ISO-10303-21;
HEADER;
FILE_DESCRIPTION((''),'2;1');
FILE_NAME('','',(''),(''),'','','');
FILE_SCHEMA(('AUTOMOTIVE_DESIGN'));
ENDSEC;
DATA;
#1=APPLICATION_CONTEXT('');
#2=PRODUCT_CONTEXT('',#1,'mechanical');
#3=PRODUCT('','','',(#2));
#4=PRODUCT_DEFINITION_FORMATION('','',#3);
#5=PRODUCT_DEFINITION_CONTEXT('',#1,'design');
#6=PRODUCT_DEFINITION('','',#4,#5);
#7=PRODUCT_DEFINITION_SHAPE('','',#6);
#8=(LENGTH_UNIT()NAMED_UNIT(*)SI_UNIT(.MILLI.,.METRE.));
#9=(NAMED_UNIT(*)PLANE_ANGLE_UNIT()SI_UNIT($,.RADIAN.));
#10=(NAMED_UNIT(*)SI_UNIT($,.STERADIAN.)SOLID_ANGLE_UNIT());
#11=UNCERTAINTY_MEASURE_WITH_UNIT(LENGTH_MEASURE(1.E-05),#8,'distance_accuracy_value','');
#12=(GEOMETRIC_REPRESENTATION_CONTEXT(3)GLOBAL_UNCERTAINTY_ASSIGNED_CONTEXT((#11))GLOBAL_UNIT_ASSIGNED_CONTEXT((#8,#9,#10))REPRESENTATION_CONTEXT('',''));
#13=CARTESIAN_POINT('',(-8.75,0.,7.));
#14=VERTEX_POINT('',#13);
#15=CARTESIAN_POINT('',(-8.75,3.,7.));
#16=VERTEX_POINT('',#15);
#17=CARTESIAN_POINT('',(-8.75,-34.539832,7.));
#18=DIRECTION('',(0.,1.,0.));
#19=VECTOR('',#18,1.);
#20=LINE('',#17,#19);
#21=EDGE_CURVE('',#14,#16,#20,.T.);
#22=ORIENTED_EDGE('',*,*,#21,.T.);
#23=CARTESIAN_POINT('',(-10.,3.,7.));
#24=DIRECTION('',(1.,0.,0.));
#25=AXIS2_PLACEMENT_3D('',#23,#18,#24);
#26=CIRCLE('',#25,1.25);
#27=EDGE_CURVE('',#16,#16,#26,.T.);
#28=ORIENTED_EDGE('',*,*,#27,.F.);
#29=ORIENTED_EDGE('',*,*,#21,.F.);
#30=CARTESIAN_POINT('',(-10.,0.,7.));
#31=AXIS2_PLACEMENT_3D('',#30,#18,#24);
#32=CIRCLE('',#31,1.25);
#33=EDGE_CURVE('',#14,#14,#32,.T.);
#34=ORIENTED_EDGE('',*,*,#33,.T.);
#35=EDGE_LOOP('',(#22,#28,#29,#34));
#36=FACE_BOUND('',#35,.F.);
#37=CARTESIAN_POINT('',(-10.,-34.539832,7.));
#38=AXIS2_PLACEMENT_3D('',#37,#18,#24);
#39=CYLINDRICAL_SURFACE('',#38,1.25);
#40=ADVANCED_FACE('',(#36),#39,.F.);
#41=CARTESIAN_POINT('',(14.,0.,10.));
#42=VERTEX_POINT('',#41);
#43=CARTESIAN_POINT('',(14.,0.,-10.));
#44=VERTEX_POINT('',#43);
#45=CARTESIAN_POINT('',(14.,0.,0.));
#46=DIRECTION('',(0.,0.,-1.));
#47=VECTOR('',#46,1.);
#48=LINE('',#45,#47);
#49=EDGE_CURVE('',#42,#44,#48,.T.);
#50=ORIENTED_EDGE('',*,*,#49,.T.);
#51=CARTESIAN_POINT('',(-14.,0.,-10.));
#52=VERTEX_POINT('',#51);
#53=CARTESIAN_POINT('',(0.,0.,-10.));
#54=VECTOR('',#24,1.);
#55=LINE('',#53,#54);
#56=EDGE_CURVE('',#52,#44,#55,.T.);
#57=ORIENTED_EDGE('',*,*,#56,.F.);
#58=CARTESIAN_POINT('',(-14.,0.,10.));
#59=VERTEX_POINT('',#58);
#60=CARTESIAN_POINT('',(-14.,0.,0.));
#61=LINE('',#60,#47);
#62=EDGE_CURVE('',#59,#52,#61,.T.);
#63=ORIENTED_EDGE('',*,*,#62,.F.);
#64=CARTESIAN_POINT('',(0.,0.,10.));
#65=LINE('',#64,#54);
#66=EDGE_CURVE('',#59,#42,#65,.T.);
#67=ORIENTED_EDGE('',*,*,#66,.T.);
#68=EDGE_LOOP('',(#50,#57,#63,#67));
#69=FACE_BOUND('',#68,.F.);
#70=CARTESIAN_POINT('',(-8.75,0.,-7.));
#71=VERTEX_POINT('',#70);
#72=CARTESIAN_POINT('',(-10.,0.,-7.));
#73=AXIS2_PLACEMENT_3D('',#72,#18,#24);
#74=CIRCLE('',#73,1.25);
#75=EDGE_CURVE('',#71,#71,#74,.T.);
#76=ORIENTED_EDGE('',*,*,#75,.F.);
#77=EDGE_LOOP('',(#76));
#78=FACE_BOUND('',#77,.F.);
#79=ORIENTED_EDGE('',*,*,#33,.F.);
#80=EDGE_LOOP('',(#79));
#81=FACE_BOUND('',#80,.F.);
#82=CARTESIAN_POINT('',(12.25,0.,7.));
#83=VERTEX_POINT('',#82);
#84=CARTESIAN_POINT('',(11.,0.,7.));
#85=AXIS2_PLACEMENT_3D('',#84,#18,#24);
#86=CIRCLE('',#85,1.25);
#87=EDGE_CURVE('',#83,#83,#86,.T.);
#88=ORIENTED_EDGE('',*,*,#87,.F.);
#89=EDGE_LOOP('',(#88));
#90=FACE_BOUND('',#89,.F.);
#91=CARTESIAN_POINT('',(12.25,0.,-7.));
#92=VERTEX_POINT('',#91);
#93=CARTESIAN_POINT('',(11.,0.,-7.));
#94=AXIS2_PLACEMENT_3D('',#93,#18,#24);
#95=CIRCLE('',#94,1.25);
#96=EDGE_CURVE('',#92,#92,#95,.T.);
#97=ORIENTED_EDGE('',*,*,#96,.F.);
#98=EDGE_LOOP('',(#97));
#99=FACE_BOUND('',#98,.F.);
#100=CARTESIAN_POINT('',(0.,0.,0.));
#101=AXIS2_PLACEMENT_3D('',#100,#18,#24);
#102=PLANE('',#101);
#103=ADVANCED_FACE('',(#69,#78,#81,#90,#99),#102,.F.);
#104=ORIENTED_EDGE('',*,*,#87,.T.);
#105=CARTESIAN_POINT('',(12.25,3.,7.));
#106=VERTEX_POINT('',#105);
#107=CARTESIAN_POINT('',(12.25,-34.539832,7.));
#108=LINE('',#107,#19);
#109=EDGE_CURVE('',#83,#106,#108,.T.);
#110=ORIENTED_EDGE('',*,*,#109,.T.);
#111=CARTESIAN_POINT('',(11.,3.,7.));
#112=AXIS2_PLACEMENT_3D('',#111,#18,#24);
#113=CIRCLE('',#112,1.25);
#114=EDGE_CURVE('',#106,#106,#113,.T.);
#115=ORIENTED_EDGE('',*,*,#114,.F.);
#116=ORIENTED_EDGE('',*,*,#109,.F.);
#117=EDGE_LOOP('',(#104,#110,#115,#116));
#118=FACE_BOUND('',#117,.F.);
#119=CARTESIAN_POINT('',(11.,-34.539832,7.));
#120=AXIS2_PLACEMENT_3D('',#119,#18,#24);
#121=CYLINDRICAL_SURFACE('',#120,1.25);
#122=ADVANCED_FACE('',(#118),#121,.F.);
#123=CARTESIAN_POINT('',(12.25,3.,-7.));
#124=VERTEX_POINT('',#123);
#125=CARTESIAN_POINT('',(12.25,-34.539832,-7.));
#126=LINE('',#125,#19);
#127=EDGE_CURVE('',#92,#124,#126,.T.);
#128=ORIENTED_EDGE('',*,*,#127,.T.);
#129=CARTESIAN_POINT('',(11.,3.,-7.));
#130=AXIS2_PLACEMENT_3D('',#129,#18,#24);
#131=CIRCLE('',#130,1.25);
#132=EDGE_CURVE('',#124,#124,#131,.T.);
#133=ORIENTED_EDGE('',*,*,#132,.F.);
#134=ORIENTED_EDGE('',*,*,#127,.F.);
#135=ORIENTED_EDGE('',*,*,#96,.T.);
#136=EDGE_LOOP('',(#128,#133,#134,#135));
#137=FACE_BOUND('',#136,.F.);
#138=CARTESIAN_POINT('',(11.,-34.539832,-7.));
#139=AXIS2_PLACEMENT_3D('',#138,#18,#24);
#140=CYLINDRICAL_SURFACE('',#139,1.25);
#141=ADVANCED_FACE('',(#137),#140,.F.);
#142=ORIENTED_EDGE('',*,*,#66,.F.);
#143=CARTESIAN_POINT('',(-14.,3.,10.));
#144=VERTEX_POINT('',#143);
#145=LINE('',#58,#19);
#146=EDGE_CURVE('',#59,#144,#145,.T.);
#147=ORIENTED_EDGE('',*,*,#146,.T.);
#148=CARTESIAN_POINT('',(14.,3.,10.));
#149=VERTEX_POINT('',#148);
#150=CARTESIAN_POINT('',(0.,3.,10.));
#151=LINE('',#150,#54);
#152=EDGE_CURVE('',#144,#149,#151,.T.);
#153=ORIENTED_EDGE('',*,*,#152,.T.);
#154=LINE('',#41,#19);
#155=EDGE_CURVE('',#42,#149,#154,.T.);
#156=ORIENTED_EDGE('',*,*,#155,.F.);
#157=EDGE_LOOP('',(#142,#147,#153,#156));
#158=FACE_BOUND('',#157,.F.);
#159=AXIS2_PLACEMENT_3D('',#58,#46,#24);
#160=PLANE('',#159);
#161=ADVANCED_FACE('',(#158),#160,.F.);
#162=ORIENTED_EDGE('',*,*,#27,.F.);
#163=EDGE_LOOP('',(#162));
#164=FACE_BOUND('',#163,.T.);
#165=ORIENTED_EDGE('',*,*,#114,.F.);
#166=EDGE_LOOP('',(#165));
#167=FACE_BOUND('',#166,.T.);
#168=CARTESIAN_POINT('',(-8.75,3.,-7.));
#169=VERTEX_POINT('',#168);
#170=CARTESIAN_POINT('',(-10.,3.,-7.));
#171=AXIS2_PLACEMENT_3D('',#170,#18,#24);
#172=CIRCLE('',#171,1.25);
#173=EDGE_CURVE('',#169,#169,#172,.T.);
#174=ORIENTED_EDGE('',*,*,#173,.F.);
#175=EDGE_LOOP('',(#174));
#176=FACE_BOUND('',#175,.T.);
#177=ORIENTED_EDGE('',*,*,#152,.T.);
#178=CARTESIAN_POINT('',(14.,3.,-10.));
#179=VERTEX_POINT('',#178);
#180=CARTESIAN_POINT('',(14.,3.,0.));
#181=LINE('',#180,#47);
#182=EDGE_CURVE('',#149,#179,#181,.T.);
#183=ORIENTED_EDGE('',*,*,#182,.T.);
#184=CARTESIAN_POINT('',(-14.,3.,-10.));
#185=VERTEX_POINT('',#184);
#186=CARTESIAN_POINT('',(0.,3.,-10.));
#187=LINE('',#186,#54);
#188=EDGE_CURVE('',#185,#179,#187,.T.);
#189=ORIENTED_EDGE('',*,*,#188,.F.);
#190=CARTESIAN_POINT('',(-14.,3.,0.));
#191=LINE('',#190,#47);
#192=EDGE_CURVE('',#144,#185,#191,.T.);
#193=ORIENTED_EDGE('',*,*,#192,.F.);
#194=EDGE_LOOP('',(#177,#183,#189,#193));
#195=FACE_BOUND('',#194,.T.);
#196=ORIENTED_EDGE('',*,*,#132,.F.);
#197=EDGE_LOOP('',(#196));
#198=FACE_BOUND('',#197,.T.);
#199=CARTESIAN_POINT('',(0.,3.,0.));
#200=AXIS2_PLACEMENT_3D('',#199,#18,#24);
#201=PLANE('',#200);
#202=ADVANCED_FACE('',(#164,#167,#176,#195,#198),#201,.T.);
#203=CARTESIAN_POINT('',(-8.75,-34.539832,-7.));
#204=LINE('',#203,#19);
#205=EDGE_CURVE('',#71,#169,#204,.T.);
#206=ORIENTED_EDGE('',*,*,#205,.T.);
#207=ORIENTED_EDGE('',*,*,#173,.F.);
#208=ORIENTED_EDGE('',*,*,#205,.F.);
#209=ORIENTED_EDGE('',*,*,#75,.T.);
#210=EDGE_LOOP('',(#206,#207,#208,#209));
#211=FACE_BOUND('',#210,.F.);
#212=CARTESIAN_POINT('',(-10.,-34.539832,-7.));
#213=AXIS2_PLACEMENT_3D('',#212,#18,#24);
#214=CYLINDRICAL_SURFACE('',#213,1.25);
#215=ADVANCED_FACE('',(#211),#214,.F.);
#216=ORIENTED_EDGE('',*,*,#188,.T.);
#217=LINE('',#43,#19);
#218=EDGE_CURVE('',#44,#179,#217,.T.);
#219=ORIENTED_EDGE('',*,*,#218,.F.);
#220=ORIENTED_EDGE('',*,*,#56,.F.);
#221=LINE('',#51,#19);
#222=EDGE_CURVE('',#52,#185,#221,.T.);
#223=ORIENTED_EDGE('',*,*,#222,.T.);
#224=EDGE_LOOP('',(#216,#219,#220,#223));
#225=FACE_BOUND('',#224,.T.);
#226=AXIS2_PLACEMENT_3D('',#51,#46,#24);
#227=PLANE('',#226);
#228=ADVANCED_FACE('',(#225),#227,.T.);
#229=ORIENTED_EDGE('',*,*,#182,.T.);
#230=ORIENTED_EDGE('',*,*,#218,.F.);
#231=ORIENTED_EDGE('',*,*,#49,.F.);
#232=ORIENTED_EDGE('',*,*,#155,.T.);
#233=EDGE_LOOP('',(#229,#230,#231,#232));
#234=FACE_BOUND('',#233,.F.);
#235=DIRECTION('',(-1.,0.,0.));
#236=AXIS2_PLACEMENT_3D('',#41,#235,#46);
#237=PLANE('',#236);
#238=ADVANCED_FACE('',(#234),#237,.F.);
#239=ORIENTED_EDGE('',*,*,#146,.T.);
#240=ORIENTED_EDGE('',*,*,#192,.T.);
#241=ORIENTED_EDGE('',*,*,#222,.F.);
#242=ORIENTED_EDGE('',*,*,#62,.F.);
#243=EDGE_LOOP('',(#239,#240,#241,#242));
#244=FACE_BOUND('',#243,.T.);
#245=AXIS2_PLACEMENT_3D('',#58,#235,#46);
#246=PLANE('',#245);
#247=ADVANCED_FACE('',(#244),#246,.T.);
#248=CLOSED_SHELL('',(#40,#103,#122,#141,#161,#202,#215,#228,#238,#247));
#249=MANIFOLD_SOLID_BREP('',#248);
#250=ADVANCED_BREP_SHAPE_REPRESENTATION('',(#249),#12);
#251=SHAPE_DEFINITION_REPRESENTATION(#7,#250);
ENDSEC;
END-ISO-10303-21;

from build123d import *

# Parameters (mm, degrees)
SKETCH1_W           = 28
SKETCH1_H           = 20
BOSS_EXTRUDE1_DEPTH = 3
M3_TAPPED_HOLE1_D   = 2.5


with BuildPart() as part:
    # Sketch1 → Boss-Extrude1 (new body)
    with BuildSketch(Plane(origin=(0, 0, 0), x_dir=(1, 0, 0), z_dir=(0, 1, 0))):
        Rectangle(SKETCH1_W, SKETCH1_H)
    extrude(amount=BOSS_EXTRUDE1_DEPTH)

    # M3 Tapped Hole1 (through all)
    with Locations(Plane(origin=(0, 0, 0), x_dir=(-1, 0, 0), z_dir=(0, -1, 0))):
        with Locations((-11, 7), (10, 7), (10, -7), (-11, -7)):
            Hole(M3_TAPPED_HOLE1_D / 2)


solid = part.part
